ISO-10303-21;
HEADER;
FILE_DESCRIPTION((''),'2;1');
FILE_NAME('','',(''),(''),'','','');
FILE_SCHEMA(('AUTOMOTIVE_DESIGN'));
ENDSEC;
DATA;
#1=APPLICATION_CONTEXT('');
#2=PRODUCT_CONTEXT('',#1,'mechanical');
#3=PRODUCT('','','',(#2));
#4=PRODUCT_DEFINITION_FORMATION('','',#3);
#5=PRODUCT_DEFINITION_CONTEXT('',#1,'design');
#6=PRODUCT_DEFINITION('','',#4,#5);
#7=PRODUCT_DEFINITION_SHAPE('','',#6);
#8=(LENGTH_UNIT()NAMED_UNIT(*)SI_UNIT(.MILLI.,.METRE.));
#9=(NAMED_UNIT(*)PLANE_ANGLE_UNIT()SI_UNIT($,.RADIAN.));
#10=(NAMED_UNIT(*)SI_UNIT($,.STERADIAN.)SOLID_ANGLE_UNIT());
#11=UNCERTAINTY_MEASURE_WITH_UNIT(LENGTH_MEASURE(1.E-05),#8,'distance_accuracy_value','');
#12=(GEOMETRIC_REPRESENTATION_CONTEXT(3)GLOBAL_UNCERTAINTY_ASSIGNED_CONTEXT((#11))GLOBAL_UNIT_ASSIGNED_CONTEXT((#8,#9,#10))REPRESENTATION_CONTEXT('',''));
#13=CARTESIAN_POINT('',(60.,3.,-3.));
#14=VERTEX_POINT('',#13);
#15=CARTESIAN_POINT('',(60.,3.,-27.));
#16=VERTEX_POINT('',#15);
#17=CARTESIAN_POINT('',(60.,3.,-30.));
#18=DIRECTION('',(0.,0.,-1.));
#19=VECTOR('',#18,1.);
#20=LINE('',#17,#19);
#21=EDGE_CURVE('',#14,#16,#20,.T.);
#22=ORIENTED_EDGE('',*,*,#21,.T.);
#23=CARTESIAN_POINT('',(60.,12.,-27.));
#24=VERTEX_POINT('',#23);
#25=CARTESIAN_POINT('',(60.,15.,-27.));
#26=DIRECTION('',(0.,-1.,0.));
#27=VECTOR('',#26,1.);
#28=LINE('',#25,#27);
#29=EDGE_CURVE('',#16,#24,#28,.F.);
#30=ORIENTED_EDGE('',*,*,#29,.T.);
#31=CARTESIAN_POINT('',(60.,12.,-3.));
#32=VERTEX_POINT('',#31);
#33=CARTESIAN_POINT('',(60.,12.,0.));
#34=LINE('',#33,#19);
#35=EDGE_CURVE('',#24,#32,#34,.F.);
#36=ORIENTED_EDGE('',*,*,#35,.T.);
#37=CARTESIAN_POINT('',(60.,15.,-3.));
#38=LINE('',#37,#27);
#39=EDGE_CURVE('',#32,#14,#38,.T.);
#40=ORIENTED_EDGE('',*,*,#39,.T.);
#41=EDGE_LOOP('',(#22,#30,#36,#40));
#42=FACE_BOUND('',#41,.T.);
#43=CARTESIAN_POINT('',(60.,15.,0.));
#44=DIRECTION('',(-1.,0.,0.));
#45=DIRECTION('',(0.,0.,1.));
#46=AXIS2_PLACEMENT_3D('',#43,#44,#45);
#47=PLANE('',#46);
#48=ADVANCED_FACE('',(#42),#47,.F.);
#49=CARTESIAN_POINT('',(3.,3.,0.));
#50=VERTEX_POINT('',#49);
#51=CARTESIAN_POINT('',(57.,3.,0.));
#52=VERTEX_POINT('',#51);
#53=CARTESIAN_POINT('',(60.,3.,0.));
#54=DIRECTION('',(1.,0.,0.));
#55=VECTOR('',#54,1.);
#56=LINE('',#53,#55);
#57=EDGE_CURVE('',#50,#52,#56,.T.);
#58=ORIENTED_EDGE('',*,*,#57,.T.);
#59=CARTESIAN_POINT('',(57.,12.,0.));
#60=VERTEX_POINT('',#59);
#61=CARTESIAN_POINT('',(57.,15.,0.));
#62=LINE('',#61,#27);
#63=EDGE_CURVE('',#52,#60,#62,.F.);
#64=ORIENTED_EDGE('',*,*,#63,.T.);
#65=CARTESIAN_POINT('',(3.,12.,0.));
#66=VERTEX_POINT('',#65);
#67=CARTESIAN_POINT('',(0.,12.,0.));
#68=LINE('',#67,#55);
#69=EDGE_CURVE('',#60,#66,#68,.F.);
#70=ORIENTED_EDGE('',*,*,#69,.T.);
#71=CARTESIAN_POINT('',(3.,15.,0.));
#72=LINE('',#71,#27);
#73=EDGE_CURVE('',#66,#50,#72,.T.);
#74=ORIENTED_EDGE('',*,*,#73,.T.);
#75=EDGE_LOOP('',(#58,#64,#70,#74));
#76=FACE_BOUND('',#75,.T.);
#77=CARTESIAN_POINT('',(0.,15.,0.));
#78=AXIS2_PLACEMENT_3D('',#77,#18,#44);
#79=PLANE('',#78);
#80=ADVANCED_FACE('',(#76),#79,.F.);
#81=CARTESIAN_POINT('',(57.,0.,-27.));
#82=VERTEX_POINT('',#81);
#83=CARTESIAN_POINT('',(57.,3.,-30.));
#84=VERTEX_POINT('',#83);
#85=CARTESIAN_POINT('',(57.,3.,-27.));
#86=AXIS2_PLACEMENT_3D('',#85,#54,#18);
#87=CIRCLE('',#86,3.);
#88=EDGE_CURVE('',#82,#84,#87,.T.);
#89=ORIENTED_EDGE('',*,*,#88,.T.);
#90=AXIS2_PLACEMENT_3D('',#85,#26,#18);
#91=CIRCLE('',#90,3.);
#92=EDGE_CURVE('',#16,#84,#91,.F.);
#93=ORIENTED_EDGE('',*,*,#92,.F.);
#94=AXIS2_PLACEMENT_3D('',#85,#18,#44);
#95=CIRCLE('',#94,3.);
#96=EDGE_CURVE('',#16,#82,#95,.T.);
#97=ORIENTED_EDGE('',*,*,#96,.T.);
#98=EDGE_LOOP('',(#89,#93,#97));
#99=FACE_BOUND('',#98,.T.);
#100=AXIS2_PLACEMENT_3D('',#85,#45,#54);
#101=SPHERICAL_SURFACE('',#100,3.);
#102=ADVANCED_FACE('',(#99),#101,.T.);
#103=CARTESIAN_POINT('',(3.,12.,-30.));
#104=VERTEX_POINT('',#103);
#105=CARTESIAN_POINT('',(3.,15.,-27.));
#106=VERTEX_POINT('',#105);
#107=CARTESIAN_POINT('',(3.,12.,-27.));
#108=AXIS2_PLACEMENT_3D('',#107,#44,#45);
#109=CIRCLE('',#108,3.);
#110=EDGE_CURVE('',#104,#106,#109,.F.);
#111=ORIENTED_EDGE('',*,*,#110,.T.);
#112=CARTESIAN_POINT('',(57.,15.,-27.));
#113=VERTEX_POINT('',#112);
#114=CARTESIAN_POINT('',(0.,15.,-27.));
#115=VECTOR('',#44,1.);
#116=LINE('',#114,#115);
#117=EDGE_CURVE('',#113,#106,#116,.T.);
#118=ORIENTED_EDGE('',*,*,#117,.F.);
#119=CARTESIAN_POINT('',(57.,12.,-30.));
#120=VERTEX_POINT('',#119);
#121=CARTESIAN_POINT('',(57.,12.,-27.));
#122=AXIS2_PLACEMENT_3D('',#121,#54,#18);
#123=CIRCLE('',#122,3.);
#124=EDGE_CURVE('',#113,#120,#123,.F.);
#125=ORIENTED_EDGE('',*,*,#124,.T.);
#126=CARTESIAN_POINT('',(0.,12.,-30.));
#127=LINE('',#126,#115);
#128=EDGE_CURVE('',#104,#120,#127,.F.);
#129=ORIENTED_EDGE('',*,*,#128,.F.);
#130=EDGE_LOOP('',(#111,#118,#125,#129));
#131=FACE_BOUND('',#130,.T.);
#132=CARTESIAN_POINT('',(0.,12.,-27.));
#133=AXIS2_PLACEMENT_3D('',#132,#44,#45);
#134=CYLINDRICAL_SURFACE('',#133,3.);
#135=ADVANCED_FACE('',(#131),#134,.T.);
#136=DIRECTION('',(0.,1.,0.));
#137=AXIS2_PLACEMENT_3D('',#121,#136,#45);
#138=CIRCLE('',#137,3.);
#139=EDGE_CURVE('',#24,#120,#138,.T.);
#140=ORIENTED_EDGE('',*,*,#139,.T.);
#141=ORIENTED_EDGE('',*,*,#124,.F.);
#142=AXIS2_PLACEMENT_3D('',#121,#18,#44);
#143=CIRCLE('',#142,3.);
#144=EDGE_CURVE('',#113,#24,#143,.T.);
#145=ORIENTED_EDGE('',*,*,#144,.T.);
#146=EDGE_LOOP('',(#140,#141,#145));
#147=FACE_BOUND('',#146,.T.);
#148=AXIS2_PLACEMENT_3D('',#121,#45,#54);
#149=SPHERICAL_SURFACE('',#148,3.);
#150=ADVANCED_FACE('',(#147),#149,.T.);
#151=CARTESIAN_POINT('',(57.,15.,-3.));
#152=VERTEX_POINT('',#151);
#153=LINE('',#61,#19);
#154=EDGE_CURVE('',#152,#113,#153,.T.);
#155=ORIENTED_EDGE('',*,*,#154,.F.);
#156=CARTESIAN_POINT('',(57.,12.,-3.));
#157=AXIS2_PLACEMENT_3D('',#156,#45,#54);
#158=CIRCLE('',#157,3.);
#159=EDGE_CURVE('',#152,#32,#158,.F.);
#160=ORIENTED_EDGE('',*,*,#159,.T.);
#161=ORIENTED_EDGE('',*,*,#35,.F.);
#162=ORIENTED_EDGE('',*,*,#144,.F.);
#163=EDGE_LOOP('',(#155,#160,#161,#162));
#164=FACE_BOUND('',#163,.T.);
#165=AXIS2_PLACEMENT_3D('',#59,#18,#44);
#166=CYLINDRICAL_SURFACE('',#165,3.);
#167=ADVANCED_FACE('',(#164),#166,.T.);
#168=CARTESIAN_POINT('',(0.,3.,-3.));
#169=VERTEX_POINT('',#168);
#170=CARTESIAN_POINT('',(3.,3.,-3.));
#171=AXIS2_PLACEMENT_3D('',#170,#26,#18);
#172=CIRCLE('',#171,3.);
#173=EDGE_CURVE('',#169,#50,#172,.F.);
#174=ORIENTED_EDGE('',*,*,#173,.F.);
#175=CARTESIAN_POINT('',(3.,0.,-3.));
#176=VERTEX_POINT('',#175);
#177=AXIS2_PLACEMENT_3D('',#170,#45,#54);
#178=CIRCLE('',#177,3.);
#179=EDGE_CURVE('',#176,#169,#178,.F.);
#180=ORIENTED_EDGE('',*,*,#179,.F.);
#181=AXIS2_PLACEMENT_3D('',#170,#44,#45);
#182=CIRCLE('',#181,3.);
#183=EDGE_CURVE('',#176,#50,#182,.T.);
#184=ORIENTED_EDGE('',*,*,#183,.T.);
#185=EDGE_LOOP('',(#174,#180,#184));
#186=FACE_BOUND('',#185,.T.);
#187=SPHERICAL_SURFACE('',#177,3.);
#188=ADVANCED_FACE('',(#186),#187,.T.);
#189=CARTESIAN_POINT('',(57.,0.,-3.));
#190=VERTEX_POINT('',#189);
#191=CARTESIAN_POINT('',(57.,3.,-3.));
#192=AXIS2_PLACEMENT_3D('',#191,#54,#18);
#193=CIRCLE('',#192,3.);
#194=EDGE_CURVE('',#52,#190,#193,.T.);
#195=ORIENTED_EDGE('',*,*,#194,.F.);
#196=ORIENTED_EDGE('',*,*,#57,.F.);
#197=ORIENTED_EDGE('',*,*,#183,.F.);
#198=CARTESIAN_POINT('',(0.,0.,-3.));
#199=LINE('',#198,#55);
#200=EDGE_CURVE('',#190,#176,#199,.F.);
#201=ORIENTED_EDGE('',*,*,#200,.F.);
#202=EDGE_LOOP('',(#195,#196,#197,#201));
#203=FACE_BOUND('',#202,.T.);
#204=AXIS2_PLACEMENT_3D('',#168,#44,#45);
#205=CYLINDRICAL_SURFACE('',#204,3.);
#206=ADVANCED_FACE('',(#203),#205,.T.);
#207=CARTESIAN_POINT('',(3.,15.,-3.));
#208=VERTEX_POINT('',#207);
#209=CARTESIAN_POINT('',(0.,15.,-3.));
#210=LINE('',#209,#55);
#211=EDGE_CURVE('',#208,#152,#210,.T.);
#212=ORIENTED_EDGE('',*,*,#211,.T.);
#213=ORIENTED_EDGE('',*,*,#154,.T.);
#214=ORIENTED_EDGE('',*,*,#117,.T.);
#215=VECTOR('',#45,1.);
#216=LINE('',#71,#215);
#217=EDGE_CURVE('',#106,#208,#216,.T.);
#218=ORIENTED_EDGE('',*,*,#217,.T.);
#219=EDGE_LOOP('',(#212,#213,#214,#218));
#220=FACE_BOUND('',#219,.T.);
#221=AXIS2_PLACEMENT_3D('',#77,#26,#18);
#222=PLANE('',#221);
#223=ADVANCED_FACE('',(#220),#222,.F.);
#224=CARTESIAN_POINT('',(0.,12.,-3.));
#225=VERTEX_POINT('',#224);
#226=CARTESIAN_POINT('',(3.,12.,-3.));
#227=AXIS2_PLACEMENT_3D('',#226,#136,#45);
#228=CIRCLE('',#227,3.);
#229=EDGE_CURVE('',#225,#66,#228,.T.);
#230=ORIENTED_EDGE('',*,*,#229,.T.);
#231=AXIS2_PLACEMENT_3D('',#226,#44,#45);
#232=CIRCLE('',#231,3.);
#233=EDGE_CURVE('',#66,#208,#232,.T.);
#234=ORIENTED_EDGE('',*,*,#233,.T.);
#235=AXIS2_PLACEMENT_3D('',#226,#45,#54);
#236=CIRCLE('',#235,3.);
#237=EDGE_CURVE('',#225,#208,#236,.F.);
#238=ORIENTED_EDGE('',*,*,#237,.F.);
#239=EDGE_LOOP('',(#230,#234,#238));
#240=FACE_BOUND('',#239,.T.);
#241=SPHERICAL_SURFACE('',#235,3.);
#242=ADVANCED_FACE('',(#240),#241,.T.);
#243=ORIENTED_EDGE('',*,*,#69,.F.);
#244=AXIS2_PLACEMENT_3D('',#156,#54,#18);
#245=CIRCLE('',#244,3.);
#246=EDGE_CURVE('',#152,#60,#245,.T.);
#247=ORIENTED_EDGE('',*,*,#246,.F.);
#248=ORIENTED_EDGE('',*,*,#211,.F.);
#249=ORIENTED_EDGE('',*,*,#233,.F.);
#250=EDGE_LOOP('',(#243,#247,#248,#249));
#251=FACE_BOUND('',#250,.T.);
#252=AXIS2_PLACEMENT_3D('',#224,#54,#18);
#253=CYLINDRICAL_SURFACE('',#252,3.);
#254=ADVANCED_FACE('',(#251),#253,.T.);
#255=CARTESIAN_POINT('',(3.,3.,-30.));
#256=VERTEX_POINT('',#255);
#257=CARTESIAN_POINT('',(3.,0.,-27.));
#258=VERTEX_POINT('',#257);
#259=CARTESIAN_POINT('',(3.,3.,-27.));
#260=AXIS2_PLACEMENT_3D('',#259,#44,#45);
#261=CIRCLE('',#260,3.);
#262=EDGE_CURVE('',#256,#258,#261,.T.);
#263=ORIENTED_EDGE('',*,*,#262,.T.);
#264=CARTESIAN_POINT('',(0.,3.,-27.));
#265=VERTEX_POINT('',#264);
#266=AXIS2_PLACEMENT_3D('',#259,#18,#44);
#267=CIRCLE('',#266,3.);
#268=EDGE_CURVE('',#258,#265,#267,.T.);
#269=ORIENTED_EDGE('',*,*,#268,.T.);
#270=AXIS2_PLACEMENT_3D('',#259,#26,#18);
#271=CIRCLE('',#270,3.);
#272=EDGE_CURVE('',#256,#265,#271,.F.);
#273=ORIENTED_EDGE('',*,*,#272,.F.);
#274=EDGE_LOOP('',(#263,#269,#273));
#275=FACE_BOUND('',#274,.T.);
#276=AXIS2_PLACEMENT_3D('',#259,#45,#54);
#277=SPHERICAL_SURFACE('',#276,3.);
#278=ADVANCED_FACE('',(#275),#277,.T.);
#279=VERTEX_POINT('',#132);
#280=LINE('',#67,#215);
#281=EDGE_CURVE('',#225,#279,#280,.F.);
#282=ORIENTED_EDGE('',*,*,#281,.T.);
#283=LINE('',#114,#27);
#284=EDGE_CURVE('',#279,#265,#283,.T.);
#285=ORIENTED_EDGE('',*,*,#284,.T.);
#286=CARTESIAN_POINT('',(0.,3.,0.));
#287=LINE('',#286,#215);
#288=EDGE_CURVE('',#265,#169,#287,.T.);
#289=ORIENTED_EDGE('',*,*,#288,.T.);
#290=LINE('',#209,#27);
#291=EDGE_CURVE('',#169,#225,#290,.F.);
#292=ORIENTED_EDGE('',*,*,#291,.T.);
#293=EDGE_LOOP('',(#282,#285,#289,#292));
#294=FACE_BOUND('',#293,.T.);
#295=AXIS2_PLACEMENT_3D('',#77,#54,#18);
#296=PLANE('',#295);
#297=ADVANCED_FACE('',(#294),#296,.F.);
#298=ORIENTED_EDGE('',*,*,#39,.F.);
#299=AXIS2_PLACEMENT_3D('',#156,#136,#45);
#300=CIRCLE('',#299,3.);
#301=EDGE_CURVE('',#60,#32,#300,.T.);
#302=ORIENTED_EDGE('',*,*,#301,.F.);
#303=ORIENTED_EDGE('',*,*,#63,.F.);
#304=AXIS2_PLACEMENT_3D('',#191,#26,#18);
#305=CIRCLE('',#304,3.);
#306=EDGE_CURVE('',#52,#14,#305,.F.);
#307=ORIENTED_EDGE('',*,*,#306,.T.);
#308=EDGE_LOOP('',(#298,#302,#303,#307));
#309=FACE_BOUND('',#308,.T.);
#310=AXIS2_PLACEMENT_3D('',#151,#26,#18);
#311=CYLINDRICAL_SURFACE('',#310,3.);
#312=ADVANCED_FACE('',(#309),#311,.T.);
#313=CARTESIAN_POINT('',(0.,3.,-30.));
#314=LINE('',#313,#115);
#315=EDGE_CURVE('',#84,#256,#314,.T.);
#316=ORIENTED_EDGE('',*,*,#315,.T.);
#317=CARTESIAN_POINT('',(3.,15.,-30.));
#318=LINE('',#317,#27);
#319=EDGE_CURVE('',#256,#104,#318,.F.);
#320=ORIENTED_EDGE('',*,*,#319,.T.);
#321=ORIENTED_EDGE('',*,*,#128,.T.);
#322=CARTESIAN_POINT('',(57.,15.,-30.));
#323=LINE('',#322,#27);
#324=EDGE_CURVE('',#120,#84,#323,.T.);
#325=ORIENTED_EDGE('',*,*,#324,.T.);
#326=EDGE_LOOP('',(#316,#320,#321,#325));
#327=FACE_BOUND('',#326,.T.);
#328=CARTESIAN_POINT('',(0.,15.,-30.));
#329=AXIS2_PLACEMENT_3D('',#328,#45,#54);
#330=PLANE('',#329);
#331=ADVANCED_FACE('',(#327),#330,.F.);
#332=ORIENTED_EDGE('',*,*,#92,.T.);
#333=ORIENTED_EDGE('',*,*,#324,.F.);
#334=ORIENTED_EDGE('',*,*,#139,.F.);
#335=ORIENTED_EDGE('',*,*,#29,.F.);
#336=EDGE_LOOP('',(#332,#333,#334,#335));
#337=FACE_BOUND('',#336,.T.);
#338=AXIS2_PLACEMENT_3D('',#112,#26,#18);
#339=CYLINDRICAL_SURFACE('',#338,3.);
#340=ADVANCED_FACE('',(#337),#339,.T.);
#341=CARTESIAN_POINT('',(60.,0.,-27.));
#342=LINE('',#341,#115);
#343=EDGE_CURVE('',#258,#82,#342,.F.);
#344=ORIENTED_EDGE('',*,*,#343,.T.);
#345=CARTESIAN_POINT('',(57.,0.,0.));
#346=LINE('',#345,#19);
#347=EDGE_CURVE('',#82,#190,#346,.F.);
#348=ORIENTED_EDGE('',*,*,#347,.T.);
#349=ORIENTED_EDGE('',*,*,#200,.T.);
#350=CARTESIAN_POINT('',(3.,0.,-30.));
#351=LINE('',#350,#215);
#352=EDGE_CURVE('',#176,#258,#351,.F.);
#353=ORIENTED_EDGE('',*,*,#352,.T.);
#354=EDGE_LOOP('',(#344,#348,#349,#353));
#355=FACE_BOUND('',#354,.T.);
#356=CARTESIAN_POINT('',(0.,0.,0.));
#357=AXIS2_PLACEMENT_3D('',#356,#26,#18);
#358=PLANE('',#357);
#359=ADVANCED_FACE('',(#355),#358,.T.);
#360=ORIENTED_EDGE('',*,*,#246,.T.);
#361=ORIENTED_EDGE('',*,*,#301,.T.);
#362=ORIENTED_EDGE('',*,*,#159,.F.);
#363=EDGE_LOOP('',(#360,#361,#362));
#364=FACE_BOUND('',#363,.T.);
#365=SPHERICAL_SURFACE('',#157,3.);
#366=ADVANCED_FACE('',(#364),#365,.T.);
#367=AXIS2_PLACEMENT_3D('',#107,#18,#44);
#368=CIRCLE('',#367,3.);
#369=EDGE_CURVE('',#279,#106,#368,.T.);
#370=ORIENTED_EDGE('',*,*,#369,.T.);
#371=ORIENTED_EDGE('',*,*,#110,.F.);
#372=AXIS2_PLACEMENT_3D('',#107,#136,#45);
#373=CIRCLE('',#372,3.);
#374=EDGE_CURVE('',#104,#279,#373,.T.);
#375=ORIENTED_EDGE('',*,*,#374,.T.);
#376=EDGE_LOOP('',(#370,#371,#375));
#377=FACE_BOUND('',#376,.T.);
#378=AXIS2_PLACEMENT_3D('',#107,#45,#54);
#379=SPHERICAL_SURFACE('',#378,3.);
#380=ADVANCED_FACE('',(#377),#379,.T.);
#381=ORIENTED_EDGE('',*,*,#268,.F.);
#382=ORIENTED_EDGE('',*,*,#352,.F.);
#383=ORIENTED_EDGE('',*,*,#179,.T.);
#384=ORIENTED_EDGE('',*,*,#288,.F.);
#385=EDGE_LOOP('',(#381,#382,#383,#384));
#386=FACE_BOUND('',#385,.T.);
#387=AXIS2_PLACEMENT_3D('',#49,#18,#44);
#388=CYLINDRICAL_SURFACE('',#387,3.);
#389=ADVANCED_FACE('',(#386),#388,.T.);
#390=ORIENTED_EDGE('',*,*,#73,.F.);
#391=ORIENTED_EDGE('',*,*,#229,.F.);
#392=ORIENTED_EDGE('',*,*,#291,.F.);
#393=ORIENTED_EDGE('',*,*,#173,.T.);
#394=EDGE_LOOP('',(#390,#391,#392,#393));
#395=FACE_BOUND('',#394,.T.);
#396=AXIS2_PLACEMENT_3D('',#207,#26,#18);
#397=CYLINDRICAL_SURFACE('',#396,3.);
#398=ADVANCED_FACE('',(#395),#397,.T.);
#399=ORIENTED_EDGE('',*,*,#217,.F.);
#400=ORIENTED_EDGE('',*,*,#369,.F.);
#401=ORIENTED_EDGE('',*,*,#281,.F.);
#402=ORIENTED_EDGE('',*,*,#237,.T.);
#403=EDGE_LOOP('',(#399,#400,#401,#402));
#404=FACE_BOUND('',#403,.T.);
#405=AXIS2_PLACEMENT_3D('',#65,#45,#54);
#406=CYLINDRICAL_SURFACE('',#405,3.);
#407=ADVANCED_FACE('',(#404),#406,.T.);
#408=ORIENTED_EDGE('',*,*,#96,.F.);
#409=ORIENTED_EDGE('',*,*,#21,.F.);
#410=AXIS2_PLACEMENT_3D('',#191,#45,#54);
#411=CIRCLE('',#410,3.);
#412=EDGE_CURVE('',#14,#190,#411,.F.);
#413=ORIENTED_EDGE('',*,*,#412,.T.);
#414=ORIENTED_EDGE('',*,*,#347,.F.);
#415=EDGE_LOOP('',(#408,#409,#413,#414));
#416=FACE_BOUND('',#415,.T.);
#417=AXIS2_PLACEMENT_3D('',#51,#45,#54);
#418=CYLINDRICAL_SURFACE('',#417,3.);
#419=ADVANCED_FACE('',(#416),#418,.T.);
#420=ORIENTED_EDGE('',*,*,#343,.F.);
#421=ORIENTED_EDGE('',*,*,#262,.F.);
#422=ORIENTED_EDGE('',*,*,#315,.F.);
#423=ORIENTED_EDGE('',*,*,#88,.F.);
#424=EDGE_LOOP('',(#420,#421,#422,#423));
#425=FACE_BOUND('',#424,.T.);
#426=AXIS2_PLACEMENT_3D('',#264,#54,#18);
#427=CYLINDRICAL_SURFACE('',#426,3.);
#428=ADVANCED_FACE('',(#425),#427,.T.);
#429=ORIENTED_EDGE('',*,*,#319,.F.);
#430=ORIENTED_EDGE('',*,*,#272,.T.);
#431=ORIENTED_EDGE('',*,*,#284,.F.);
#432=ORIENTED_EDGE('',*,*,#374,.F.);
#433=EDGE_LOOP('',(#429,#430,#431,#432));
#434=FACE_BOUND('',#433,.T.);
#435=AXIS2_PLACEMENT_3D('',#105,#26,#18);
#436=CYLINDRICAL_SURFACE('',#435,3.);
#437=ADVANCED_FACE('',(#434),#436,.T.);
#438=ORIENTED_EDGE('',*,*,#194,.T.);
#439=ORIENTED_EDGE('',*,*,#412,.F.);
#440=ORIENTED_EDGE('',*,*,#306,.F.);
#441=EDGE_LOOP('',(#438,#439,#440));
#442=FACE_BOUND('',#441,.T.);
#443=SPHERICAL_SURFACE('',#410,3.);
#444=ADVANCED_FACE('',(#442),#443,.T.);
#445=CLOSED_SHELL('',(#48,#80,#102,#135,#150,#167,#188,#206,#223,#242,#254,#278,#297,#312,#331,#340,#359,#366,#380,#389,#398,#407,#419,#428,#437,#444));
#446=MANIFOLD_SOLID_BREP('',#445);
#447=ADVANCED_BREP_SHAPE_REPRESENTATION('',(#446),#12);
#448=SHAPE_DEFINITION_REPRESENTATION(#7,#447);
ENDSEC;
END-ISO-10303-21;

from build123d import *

# Parameters (mm, degrees)
SKETCH_1_W      = 60
SKETCH_1_H      = 30
EXTRUDE_1_DEPTH = 15
FILLET_1_R      = 3


with BuildPart() as part:
    # 草图1 → 凸台-拉伸1 (new body)
    with BuildSketch(Plane(origin=(0, 0, 0), x_dir=(1, 0, 0), z_dir=(0, 1, 0))):
        with Locations((30, 15)):
            Rectangle(SKETCH_1_W, SKETCH_1_H)
    extrude(amount=EXTRUDE_1_DEPTH)

    # 圆角1
    fillet_1_edges = [part.edges().sort_by_distance(p)[0] for p in [
        (60, 15, -15),
        (30, 15, -30),
        (0, 15, -15),
        (30, 0, -30),
        (60, 0, -15),
        (30, 0, 0),
        (0, 0, -15),
        (30, 15, 0),
        (0, 7.5, -30),
        (60, 7.5, -30),
        (60, 7.5, 0),
        (0, 7.5, 0),
    ]]
    fillet(fillet_1_edges, radius=FILLET_1_R)


solid = part.part
